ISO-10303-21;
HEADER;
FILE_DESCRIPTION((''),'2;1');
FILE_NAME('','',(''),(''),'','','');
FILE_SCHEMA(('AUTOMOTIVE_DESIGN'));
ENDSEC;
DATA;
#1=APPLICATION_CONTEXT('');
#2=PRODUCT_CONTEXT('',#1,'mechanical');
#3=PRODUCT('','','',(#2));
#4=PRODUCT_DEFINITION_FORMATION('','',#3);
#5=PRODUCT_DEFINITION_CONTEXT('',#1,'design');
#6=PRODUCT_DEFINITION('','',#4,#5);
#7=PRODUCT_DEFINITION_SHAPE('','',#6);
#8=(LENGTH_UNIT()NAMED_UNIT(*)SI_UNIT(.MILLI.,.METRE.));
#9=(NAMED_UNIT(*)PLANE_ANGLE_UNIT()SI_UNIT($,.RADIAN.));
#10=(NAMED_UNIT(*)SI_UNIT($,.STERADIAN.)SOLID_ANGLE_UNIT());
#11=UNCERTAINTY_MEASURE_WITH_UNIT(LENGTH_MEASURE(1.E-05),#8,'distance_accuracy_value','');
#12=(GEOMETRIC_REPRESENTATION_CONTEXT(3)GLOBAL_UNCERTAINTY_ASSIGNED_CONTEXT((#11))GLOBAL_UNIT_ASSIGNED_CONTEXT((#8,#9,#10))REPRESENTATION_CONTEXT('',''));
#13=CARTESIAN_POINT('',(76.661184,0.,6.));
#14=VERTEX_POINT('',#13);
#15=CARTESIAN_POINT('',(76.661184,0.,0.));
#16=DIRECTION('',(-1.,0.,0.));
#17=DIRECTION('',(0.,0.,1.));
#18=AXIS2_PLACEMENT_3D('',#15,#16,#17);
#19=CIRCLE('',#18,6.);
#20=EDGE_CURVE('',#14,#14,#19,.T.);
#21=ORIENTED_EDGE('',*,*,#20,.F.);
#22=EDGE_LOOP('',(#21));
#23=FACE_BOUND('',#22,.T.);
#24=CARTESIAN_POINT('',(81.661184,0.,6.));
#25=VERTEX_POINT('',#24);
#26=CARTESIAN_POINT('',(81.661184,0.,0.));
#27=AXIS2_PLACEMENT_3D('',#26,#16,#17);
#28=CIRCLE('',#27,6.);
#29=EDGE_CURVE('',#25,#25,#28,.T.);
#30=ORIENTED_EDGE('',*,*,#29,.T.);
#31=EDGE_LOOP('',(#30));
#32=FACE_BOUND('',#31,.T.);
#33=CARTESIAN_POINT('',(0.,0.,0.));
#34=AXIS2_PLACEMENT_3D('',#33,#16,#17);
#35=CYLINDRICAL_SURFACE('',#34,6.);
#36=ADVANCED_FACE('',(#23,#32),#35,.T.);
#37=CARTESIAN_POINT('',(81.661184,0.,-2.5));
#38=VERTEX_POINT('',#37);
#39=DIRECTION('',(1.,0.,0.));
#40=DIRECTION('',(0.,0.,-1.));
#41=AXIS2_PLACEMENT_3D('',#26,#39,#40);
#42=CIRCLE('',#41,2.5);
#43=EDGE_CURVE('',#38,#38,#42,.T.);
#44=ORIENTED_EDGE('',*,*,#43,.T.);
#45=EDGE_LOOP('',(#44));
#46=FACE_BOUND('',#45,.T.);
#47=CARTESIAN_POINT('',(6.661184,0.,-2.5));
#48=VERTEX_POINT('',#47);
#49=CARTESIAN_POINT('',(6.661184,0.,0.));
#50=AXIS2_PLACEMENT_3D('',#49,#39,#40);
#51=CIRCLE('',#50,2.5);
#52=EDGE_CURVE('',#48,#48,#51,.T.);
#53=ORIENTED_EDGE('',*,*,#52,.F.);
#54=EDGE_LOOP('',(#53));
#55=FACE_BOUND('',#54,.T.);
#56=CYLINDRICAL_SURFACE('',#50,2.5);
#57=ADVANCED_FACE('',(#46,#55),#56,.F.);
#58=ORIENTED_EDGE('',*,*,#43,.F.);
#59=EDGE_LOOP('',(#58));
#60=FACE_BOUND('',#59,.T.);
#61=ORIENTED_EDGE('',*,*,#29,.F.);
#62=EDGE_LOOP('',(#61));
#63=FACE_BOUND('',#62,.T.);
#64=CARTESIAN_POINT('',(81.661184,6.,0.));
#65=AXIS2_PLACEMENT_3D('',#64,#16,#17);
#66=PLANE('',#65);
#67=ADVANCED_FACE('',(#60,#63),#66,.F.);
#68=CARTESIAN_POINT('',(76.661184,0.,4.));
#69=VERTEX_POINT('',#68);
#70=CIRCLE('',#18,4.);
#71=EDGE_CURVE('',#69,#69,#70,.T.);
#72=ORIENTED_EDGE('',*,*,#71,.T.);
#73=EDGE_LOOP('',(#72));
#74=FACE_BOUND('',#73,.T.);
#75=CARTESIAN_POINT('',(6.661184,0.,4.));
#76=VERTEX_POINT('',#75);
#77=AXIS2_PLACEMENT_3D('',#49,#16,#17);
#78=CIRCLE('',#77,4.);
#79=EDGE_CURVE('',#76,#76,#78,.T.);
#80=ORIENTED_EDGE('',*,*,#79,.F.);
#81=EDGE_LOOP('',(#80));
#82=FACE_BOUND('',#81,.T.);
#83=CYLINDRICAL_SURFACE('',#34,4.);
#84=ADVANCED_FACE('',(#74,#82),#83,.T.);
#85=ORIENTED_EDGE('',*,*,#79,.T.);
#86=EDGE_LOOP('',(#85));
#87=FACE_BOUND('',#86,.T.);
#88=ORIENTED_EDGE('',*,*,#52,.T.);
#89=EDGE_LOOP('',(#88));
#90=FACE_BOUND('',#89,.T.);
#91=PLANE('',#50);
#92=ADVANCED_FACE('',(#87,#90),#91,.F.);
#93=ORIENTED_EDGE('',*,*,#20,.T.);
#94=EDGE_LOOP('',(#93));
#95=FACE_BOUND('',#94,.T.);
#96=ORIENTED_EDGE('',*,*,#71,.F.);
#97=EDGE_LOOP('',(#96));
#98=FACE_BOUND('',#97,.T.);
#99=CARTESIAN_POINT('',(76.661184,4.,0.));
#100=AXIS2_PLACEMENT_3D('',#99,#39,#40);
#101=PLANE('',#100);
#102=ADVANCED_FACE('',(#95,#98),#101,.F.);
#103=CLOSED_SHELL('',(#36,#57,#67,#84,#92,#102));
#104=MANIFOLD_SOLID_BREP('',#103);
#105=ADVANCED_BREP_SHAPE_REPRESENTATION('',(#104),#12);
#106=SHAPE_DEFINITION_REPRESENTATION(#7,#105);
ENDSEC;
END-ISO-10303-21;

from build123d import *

# Parameters (mm, degrees)
SKETCH_2_R          = 2.5
CUT_EXTRUDE_1_DEPTH = 76


with BuildPart() as part:
    # Эскиз1 → Повернуть1 (revolve)
    with BuildSketch(Plane.XY, mode=Mode.PRIVATE) as revolve_1_sk:
        Polygon((6.661184211, 0), (6.661184211, 4), (76.661184211, 4), (76.661184211, 6), (81.661184211, 6), (81.661184211, 0), align=None)
    revolve(revolve_1_sk.sketch.rotate(Axis((0, 0, 0), (1, 0, 0)), 90), axis=Axis((0, 0, 0), (1, 0, 0)))  # turned: the seam where the file's is

    # Эскиз2 → Вырез-Вытянуть1 (cut, through all)
    with BuildSketch(Plane(origin=(81.661184211, 0, 0), x_dir=(0, 0, -1), z_dir=(1, 0, 0))):
        Circle(SKETCH_2_R)
    extrude(amount=-CUT_EXTRUDE_1_DEPTH, mode=Mode.SUBTRACT)


solid = part.part
